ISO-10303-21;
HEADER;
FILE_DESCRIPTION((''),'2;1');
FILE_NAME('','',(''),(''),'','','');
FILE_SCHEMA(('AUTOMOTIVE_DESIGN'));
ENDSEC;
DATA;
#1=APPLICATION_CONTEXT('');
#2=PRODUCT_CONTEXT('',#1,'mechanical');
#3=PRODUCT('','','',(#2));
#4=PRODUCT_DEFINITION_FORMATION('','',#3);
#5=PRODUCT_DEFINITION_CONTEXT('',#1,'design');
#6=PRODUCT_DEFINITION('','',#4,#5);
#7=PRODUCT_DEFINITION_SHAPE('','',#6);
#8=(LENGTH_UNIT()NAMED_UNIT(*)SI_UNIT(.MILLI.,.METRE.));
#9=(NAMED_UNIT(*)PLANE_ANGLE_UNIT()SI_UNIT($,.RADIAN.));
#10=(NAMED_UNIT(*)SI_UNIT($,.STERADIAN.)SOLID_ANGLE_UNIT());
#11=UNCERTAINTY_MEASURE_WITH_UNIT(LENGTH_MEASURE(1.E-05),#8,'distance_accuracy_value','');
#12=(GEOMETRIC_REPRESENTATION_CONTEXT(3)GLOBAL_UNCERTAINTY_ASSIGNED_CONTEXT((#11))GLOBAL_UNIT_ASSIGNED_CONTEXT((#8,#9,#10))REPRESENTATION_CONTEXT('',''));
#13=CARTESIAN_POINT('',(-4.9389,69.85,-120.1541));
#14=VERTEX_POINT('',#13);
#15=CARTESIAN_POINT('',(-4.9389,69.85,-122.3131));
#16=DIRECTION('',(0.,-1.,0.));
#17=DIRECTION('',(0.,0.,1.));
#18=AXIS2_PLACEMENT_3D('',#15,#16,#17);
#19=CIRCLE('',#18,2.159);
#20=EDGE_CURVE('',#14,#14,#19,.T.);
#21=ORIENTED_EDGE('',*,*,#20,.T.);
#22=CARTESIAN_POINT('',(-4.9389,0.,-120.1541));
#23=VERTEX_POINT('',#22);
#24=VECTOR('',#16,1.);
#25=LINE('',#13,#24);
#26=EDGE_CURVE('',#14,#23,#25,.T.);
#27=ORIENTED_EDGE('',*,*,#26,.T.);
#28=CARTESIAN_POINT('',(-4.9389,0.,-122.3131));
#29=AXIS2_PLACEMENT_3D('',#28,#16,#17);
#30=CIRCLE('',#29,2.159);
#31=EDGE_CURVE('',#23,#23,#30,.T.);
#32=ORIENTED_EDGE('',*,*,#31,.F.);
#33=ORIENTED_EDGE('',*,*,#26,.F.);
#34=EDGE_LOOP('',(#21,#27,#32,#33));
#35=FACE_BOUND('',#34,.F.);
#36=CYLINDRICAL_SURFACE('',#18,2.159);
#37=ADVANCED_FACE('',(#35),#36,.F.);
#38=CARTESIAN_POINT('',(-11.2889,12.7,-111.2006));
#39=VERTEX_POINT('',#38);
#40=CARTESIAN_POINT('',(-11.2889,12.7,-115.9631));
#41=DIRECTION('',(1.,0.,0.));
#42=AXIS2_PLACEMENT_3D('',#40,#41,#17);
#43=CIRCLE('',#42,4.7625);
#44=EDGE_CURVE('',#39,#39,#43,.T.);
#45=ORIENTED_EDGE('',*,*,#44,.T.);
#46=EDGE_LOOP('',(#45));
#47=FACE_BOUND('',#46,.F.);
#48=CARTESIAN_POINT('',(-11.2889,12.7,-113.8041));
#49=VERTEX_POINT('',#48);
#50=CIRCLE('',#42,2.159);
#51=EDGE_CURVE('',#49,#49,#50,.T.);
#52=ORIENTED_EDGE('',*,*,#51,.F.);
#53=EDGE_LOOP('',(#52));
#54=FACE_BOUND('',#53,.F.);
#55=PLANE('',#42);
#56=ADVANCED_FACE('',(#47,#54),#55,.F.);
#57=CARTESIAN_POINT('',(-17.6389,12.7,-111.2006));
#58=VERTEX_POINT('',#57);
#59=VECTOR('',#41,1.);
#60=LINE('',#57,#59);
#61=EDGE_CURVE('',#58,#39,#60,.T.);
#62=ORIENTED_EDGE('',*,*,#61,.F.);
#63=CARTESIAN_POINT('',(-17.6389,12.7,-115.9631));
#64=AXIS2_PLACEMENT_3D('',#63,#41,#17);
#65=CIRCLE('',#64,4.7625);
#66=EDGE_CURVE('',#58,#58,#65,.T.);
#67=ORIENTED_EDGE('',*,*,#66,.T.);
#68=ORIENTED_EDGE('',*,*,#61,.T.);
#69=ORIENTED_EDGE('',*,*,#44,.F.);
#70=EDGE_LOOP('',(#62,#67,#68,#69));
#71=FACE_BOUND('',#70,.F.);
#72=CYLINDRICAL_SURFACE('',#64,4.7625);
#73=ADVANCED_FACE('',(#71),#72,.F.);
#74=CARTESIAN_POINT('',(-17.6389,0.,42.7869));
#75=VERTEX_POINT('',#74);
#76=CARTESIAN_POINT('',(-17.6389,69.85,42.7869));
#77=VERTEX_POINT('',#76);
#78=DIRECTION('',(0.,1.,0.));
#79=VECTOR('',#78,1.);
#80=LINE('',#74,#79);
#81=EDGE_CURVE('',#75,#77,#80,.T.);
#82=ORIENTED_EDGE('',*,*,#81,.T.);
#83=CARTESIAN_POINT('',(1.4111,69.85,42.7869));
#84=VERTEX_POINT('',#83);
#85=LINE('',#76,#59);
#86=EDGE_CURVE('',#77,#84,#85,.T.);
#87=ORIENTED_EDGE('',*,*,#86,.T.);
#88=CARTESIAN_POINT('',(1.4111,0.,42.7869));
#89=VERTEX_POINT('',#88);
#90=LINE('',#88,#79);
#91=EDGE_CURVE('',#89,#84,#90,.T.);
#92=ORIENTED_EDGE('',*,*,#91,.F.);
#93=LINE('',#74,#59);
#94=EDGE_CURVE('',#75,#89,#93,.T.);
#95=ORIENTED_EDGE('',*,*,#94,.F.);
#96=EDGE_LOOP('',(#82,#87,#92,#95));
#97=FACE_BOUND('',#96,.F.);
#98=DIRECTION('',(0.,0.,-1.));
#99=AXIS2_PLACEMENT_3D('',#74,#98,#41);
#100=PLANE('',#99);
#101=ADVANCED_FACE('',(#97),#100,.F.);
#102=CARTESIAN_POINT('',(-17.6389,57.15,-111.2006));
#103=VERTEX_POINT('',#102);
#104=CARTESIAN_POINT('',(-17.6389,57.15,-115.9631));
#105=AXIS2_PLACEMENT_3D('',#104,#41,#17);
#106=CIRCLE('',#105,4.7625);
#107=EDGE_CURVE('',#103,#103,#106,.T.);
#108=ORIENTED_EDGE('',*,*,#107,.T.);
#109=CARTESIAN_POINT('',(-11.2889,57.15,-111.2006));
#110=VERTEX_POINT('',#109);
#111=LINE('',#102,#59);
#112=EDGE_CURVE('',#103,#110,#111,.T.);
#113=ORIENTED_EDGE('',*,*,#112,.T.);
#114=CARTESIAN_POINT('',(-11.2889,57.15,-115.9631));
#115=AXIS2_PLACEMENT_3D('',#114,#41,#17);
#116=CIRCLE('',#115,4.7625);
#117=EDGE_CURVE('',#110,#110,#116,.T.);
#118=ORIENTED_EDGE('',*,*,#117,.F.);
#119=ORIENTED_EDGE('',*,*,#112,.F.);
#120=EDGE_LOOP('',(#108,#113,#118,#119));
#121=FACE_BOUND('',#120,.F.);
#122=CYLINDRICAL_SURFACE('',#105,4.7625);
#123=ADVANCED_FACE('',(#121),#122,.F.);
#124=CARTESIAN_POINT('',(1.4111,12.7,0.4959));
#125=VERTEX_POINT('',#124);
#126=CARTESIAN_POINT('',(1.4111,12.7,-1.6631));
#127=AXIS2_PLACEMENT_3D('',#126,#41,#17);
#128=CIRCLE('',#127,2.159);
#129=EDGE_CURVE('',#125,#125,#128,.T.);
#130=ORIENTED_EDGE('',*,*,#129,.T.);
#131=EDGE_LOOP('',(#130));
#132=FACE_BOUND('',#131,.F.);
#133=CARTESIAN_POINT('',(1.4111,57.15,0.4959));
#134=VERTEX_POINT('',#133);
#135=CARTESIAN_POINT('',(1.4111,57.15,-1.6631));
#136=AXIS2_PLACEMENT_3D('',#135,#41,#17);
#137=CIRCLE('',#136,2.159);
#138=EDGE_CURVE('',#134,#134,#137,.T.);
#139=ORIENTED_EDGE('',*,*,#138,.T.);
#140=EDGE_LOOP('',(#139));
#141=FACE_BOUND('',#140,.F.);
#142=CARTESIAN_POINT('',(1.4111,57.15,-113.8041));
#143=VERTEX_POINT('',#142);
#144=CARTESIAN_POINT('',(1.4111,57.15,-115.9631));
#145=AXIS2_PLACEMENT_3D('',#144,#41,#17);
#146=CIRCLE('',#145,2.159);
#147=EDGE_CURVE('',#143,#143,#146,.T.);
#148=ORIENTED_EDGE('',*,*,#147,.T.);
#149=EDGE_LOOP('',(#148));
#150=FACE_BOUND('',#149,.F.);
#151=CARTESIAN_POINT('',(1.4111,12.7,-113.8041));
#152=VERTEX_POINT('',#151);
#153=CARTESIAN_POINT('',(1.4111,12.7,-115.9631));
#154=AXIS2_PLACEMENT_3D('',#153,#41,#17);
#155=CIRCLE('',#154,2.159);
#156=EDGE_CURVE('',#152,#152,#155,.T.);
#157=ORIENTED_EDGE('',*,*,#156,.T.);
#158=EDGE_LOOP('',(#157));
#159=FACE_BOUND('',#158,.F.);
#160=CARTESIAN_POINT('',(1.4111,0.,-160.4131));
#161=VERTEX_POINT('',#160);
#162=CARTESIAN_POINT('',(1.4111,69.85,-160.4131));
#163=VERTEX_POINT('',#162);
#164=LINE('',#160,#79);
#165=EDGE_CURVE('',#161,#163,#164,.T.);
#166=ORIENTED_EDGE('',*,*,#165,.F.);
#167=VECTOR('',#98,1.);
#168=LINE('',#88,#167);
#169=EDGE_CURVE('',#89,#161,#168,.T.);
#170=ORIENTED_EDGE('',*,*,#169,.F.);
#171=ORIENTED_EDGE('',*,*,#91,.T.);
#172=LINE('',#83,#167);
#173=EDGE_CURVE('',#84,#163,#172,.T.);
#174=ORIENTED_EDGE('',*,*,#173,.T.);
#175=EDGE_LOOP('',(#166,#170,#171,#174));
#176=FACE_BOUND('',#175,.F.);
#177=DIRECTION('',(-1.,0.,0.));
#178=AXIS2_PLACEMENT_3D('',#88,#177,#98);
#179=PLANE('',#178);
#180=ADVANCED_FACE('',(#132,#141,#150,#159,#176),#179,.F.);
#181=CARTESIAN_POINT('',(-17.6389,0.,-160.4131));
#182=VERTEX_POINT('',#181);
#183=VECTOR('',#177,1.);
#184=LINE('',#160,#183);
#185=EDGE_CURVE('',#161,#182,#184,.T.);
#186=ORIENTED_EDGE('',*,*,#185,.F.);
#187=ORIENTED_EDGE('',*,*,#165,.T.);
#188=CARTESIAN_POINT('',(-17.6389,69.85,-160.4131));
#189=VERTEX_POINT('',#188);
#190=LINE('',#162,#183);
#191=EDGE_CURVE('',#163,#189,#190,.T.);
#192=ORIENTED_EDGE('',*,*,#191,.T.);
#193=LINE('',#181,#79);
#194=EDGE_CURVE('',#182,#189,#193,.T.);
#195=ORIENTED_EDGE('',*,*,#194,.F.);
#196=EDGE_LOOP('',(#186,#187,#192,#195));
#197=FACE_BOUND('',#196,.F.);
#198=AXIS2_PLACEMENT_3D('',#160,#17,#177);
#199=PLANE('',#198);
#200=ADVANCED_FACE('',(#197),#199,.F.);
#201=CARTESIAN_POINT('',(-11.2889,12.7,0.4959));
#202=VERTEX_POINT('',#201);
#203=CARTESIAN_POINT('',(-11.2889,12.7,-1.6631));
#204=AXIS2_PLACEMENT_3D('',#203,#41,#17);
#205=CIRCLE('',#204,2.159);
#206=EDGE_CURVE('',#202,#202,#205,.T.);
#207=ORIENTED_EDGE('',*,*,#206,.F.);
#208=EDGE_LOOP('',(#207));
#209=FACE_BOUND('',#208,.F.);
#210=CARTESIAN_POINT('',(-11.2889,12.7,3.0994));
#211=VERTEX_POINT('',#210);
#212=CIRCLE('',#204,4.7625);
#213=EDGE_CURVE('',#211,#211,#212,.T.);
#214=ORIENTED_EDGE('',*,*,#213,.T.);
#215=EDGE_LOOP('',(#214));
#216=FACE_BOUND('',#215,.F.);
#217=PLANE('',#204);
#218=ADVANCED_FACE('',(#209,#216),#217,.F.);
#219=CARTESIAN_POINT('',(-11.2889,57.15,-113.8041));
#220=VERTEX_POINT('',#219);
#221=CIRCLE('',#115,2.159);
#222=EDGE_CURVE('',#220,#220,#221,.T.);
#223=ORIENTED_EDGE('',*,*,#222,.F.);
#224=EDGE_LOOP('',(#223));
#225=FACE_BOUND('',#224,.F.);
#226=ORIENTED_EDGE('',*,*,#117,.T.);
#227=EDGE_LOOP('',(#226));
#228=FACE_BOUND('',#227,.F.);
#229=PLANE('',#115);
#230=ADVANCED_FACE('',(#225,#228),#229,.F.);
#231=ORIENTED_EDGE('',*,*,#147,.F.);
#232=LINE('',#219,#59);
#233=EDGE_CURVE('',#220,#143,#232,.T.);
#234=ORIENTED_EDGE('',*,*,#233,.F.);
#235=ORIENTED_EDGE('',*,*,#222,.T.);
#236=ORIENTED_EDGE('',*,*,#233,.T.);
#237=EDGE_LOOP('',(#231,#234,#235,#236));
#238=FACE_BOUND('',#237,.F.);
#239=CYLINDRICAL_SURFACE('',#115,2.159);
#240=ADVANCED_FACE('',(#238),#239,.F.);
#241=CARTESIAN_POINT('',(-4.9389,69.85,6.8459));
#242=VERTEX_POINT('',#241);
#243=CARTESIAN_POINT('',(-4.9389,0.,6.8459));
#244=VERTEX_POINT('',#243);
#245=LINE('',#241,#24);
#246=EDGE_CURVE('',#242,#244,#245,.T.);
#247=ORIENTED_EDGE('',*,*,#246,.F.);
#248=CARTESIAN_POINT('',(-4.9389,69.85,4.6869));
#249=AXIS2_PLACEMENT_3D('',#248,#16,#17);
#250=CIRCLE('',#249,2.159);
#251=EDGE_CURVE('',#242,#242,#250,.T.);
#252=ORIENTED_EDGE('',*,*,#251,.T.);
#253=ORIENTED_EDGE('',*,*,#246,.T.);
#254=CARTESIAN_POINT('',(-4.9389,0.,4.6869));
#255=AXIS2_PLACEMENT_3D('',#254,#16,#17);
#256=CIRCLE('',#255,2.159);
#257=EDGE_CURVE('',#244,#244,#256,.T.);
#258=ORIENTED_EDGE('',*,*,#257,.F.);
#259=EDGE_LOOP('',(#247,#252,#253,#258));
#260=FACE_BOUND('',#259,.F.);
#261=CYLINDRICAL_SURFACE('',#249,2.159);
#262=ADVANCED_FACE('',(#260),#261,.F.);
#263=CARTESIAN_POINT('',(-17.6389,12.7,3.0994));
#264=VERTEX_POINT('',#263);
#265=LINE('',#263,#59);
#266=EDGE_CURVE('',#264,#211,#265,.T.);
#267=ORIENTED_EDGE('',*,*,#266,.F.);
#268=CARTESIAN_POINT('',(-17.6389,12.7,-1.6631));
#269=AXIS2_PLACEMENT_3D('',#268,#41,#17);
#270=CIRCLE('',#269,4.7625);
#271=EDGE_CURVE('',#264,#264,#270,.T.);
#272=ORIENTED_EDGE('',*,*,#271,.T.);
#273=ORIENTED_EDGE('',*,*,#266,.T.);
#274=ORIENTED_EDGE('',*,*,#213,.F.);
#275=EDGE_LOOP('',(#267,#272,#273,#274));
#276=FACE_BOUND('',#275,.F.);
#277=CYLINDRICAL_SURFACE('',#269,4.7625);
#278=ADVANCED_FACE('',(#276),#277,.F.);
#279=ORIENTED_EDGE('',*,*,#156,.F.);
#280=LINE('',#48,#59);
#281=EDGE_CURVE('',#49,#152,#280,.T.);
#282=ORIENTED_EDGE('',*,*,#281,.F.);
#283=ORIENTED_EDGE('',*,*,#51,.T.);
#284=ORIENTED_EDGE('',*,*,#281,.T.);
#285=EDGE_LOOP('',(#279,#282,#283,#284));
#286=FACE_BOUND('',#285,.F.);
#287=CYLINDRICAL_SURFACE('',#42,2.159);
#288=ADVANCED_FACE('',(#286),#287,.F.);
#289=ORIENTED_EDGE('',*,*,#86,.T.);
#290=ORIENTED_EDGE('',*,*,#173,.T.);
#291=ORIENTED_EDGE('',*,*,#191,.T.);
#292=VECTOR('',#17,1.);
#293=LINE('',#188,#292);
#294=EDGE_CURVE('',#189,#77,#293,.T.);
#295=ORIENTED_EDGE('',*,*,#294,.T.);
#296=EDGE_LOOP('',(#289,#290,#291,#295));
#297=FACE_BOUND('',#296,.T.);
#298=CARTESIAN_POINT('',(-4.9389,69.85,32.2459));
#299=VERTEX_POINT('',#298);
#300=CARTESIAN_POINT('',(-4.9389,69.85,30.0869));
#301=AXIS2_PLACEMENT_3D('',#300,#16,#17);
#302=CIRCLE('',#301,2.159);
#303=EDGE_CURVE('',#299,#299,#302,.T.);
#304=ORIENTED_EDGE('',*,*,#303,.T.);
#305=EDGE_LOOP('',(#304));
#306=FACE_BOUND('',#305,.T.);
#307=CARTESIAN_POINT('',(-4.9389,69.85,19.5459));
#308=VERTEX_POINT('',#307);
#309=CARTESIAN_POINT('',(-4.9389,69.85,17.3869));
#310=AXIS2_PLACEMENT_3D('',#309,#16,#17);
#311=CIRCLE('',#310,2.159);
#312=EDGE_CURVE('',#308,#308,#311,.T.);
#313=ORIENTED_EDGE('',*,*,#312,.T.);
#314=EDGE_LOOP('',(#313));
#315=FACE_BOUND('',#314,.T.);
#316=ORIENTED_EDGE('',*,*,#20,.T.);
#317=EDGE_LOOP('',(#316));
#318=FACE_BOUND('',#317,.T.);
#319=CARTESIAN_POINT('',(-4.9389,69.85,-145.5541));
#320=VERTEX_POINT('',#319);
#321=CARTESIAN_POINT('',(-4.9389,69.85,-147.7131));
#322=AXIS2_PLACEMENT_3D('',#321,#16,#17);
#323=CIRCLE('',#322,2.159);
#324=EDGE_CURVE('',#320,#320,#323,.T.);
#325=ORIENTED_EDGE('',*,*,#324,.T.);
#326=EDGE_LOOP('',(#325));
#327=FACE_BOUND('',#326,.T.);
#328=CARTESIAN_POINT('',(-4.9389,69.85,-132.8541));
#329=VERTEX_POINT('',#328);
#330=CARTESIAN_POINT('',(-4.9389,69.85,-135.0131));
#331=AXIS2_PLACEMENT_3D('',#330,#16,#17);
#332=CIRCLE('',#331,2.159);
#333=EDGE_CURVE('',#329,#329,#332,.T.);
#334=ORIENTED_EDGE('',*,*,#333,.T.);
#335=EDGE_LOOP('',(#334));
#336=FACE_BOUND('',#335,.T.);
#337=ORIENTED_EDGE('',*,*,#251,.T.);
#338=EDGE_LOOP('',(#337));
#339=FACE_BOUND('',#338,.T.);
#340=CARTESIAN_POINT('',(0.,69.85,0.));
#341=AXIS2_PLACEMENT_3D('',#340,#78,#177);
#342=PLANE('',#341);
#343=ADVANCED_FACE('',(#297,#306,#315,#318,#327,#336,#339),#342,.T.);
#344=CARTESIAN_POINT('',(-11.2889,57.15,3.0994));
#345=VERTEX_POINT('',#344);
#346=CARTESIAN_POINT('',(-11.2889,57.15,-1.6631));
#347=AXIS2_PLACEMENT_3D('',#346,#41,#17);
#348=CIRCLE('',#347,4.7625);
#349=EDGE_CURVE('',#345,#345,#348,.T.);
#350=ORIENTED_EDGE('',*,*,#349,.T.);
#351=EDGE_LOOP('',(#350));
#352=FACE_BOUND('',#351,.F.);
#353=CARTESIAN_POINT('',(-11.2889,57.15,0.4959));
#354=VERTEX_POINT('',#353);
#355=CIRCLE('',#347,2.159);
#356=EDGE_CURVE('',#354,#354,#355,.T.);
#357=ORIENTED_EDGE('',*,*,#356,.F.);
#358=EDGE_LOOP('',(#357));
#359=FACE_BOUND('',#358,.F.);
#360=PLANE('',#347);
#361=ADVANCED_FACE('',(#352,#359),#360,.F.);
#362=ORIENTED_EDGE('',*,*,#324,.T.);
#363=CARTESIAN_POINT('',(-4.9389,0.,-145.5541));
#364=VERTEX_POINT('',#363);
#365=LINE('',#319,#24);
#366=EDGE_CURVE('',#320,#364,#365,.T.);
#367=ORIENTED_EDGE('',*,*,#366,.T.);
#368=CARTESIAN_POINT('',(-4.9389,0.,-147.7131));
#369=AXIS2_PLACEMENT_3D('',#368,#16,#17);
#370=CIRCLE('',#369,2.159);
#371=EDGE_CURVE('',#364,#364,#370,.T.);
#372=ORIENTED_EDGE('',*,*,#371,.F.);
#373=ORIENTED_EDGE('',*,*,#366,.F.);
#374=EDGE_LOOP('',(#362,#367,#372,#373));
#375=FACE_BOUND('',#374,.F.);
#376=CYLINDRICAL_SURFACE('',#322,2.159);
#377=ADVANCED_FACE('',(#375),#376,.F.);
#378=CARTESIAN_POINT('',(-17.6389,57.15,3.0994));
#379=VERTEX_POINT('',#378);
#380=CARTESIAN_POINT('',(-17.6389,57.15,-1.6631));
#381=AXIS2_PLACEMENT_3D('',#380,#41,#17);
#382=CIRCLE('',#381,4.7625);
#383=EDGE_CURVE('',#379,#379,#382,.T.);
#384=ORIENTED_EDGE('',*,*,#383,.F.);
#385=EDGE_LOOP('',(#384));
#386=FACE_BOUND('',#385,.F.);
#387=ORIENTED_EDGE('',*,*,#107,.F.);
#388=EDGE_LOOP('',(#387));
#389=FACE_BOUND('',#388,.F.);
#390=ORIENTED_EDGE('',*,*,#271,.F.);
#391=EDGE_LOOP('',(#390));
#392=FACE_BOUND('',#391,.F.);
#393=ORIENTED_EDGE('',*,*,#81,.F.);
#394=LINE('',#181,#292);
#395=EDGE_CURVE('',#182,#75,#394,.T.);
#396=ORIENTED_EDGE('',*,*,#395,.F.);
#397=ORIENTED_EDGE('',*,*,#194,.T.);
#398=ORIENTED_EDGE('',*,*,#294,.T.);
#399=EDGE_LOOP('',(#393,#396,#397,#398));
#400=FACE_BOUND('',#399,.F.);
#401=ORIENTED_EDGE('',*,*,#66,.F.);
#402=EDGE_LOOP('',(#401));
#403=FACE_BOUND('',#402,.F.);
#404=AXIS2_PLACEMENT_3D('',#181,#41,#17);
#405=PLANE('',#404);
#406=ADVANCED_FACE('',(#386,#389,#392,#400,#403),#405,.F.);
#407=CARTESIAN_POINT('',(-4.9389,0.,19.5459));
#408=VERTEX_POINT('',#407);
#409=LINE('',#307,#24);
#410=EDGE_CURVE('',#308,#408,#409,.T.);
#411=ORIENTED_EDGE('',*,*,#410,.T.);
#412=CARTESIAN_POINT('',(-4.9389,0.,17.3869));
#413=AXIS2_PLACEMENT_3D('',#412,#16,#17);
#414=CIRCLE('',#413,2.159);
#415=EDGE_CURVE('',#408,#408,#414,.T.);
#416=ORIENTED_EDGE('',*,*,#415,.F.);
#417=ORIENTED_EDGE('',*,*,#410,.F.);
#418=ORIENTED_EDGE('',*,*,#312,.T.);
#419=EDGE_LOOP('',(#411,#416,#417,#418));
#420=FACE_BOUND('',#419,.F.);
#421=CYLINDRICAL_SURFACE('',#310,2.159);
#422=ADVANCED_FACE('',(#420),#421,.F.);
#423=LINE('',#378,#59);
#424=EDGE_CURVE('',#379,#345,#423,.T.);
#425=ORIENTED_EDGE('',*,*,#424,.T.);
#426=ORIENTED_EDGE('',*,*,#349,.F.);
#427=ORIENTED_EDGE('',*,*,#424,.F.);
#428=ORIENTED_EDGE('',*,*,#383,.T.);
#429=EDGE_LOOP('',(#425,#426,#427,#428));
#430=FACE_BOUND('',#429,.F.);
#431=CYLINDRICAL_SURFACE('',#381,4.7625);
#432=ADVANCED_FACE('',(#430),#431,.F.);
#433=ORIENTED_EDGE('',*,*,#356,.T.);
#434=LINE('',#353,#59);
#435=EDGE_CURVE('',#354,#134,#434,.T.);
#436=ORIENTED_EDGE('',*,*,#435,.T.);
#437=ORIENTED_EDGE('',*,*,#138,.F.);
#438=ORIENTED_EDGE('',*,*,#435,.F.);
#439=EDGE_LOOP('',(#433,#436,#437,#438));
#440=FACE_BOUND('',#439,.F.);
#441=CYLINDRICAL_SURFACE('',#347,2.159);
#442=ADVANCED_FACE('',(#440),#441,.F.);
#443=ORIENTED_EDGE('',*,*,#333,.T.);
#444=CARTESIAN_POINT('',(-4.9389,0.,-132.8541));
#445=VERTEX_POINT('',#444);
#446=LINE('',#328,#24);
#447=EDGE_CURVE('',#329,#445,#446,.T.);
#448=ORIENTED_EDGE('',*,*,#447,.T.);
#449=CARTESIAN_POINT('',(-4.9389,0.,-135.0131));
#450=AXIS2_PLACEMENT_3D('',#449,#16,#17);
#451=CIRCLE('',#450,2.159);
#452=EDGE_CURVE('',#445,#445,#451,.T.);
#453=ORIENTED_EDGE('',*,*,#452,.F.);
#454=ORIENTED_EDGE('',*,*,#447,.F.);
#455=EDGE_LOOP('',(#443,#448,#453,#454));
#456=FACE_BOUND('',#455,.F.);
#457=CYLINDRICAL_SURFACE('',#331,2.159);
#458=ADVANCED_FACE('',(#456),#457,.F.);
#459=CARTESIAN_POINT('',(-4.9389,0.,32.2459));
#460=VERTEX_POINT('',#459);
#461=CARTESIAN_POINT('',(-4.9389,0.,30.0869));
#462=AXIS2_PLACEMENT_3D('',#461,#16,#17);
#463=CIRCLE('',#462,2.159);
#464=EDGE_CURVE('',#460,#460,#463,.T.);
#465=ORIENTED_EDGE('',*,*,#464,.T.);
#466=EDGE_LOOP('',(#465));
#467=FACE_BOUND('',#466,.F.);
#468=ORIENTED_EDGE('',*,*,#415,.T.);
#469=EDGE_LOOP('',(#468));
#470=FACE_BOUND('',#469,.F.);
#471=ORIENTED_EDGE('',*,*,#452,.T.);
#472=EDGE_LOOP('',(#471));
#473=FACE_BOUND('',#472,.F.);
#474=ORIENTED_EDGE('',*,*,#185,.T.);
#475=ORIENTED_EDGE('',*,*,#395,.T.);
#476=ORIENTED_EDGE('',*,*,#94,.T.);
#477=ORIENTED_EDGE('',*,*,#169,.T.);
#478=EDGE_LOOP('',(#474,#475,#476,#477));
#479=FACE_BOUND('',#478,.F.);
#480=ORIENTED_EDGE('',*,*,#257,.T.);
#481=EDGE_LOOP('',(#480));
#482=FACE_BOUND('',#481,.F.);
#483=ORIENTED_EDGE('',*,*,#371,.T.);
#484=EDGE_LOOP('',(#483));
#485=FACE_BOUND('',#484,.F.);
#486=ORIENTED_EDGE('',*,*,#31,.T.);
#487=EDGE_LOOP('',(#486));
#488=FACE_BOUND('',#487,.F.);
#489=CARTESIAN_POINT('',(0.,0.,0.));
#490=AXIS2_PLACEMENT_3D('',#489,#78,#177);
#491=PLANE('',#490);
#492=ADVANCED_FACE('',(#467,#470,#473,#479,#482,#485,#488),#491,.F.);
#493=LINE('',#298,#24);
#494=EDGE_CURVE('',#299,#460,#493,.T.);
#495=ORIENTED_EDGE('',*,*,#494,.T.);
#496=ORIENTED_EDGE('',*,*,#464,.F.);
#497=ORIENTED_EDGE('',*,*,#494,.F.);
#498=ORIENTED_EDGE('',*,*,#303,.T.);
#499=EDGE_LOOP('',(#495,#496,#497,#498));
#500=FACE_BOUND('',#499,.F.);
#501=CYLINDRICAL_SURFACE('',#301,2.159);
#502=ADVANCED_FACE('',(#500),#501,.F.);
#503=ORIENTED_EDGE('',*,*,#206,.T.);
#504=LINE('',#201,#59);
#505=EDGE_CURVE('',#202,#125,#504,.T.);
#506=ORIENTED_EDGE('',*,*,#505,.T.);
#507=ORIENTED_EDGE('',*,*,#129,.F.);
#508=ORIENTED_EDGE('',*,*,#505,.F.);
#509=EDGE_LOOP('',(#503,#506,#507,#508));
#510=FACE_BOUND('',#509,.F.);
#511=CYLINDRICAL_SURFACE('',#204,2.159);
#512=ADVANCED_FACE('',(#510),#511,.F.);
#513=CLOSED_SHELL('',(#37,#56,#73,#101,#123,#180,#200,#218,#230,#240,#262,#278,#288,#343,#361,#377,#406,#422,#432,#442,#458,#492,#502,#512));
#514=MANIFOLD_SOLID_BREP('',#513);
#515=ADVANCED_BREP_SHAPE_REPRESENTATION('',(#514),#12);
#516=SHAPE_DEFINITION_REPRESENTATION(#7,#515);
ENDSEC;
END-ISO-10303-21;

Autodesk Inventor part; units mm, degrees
ref_plane "YZ Plane" through (0, 0, 0) normal (1, 0, 0) x (0, 1, 0)
ref_plane "XZ Plane" through (0, 0, 0) normal (0, 1, 0) x (-1, 0, 0)
ref_plane "XY Plane" through (0, 0, 0) normal (0, 0, 1) x (1, 0, 0)
sketch "Sketch1" plane through (0, 0, 0) normal (0, 1, 0) x (-1, 0, 0)
  line L0 (17.6389, 42.7869) -> (-1.4111, 42.7869)
  line L1 (-1.4111, 42.7869) -> (-1.4111, -160.4131)
  line L2 (-1.4111, -160.4131) -> (17.6389, -160.4131)
  line L3 (17.6389, -160.4131) -> (17.6389, 42.7869)
  point P0 (0, 0)
  dimension "d0" = 19.05
  dimension "d1" = 203.2
extrude "Extrusion1" add sketch "Sketch1" along normal blind 69.85
sketch "Sketch2" plane through (0, 69.85, 0) normal (0, 1, 0) x (1, 0, 0)
  line L0 (-17.6389, -42.7869) -> (1.4111, -42.7869) projected
  line L1 (1.4111, -42.7869) -> (1.4111, 160.4131) projected
  line L2 (1.4111, 160.4131) -> (-17.6389, 160.4131) projected
  point P0 (0, 0)
  point P1 (-4.9389, -30.0869)
  point P2 (-4.9389, -17.3869)
  point P3 (-4.9389, -4.6869)
  point P4 (-4.9389, 135.0131)
  point P5 (-4.9389, 122.3131)
  point P6 (-4.9389, 147.7131)
  dimension "d4" = 0
  dimension "d5" = 0
  dimension "d6" = 12.7
  dimension "d7" = 12.7
  dimension "d8" = 12.7
  dimension "d9" = 6.35
  dimension "d10" = 12.7
  dimension "d11" = 6.35
  dimension "d12" = 0
  dimension "d13" = 12.7
  dimension "d14" = 12.7
  dimension "d15" = 0
hole "Hole1" at (-4.9389, 69.85, 30.0869) at (-4.9389, 69.85, 17.3869) at (-4.9389, 69.85, 4.6869) at (-4.9389, 69.85, -135.0131) at (-4.9389, 69.85, -122.3131) at (-4.9389, 69.85, -147.7131) direction (0, -1, 0) diameter 4.318 end through all
sketch "Sketch3" plane through (-17.6389, 0, -160.4131) normal (-1, 0, 0) x (0, 0, 1)
  line L0 (101.6, 78.5929) -> (101.6, -10.5439)
  line L1 (0, 0) -> (0, 69.85) projected
  line L2 (203.2, 0) -> (0, 0) projected
  line L3 (0, 69.85) -> (203.2, 69.85) projected
  point P0 (160.4131, 0)
  point P1 (44.45, 57.15)
  point P2 (44.45, 12.7)
  point P3 (158.75, 57.15)
  point P4 (158.75, 12.7)
  dimension "d23" = 101.6
  dimension "d24" = 0
  dimension "d25" = 12.7
  dimension "d26" = 12.7
  dimension "d27" = 57.15
  dimension "d28" = 0
  dimension "d29" = 0
  dimension "d30" = 0
  dimension "d31" = 57.15
hole "Hole2" at (-17.6389, 57.15, -115.9631) at (-17.6389, 12.7, -115.9631) at (-17.6389, 57.15, -1.6631) at (-17.6389, 12.7, -1.6631) direction (1, 0, 0) diameter 4.318 depth 25.4 tip angle 118 counterbore diameter 9.525 counterbore depth 6.35
properties part number "BackBatteryPlate"
